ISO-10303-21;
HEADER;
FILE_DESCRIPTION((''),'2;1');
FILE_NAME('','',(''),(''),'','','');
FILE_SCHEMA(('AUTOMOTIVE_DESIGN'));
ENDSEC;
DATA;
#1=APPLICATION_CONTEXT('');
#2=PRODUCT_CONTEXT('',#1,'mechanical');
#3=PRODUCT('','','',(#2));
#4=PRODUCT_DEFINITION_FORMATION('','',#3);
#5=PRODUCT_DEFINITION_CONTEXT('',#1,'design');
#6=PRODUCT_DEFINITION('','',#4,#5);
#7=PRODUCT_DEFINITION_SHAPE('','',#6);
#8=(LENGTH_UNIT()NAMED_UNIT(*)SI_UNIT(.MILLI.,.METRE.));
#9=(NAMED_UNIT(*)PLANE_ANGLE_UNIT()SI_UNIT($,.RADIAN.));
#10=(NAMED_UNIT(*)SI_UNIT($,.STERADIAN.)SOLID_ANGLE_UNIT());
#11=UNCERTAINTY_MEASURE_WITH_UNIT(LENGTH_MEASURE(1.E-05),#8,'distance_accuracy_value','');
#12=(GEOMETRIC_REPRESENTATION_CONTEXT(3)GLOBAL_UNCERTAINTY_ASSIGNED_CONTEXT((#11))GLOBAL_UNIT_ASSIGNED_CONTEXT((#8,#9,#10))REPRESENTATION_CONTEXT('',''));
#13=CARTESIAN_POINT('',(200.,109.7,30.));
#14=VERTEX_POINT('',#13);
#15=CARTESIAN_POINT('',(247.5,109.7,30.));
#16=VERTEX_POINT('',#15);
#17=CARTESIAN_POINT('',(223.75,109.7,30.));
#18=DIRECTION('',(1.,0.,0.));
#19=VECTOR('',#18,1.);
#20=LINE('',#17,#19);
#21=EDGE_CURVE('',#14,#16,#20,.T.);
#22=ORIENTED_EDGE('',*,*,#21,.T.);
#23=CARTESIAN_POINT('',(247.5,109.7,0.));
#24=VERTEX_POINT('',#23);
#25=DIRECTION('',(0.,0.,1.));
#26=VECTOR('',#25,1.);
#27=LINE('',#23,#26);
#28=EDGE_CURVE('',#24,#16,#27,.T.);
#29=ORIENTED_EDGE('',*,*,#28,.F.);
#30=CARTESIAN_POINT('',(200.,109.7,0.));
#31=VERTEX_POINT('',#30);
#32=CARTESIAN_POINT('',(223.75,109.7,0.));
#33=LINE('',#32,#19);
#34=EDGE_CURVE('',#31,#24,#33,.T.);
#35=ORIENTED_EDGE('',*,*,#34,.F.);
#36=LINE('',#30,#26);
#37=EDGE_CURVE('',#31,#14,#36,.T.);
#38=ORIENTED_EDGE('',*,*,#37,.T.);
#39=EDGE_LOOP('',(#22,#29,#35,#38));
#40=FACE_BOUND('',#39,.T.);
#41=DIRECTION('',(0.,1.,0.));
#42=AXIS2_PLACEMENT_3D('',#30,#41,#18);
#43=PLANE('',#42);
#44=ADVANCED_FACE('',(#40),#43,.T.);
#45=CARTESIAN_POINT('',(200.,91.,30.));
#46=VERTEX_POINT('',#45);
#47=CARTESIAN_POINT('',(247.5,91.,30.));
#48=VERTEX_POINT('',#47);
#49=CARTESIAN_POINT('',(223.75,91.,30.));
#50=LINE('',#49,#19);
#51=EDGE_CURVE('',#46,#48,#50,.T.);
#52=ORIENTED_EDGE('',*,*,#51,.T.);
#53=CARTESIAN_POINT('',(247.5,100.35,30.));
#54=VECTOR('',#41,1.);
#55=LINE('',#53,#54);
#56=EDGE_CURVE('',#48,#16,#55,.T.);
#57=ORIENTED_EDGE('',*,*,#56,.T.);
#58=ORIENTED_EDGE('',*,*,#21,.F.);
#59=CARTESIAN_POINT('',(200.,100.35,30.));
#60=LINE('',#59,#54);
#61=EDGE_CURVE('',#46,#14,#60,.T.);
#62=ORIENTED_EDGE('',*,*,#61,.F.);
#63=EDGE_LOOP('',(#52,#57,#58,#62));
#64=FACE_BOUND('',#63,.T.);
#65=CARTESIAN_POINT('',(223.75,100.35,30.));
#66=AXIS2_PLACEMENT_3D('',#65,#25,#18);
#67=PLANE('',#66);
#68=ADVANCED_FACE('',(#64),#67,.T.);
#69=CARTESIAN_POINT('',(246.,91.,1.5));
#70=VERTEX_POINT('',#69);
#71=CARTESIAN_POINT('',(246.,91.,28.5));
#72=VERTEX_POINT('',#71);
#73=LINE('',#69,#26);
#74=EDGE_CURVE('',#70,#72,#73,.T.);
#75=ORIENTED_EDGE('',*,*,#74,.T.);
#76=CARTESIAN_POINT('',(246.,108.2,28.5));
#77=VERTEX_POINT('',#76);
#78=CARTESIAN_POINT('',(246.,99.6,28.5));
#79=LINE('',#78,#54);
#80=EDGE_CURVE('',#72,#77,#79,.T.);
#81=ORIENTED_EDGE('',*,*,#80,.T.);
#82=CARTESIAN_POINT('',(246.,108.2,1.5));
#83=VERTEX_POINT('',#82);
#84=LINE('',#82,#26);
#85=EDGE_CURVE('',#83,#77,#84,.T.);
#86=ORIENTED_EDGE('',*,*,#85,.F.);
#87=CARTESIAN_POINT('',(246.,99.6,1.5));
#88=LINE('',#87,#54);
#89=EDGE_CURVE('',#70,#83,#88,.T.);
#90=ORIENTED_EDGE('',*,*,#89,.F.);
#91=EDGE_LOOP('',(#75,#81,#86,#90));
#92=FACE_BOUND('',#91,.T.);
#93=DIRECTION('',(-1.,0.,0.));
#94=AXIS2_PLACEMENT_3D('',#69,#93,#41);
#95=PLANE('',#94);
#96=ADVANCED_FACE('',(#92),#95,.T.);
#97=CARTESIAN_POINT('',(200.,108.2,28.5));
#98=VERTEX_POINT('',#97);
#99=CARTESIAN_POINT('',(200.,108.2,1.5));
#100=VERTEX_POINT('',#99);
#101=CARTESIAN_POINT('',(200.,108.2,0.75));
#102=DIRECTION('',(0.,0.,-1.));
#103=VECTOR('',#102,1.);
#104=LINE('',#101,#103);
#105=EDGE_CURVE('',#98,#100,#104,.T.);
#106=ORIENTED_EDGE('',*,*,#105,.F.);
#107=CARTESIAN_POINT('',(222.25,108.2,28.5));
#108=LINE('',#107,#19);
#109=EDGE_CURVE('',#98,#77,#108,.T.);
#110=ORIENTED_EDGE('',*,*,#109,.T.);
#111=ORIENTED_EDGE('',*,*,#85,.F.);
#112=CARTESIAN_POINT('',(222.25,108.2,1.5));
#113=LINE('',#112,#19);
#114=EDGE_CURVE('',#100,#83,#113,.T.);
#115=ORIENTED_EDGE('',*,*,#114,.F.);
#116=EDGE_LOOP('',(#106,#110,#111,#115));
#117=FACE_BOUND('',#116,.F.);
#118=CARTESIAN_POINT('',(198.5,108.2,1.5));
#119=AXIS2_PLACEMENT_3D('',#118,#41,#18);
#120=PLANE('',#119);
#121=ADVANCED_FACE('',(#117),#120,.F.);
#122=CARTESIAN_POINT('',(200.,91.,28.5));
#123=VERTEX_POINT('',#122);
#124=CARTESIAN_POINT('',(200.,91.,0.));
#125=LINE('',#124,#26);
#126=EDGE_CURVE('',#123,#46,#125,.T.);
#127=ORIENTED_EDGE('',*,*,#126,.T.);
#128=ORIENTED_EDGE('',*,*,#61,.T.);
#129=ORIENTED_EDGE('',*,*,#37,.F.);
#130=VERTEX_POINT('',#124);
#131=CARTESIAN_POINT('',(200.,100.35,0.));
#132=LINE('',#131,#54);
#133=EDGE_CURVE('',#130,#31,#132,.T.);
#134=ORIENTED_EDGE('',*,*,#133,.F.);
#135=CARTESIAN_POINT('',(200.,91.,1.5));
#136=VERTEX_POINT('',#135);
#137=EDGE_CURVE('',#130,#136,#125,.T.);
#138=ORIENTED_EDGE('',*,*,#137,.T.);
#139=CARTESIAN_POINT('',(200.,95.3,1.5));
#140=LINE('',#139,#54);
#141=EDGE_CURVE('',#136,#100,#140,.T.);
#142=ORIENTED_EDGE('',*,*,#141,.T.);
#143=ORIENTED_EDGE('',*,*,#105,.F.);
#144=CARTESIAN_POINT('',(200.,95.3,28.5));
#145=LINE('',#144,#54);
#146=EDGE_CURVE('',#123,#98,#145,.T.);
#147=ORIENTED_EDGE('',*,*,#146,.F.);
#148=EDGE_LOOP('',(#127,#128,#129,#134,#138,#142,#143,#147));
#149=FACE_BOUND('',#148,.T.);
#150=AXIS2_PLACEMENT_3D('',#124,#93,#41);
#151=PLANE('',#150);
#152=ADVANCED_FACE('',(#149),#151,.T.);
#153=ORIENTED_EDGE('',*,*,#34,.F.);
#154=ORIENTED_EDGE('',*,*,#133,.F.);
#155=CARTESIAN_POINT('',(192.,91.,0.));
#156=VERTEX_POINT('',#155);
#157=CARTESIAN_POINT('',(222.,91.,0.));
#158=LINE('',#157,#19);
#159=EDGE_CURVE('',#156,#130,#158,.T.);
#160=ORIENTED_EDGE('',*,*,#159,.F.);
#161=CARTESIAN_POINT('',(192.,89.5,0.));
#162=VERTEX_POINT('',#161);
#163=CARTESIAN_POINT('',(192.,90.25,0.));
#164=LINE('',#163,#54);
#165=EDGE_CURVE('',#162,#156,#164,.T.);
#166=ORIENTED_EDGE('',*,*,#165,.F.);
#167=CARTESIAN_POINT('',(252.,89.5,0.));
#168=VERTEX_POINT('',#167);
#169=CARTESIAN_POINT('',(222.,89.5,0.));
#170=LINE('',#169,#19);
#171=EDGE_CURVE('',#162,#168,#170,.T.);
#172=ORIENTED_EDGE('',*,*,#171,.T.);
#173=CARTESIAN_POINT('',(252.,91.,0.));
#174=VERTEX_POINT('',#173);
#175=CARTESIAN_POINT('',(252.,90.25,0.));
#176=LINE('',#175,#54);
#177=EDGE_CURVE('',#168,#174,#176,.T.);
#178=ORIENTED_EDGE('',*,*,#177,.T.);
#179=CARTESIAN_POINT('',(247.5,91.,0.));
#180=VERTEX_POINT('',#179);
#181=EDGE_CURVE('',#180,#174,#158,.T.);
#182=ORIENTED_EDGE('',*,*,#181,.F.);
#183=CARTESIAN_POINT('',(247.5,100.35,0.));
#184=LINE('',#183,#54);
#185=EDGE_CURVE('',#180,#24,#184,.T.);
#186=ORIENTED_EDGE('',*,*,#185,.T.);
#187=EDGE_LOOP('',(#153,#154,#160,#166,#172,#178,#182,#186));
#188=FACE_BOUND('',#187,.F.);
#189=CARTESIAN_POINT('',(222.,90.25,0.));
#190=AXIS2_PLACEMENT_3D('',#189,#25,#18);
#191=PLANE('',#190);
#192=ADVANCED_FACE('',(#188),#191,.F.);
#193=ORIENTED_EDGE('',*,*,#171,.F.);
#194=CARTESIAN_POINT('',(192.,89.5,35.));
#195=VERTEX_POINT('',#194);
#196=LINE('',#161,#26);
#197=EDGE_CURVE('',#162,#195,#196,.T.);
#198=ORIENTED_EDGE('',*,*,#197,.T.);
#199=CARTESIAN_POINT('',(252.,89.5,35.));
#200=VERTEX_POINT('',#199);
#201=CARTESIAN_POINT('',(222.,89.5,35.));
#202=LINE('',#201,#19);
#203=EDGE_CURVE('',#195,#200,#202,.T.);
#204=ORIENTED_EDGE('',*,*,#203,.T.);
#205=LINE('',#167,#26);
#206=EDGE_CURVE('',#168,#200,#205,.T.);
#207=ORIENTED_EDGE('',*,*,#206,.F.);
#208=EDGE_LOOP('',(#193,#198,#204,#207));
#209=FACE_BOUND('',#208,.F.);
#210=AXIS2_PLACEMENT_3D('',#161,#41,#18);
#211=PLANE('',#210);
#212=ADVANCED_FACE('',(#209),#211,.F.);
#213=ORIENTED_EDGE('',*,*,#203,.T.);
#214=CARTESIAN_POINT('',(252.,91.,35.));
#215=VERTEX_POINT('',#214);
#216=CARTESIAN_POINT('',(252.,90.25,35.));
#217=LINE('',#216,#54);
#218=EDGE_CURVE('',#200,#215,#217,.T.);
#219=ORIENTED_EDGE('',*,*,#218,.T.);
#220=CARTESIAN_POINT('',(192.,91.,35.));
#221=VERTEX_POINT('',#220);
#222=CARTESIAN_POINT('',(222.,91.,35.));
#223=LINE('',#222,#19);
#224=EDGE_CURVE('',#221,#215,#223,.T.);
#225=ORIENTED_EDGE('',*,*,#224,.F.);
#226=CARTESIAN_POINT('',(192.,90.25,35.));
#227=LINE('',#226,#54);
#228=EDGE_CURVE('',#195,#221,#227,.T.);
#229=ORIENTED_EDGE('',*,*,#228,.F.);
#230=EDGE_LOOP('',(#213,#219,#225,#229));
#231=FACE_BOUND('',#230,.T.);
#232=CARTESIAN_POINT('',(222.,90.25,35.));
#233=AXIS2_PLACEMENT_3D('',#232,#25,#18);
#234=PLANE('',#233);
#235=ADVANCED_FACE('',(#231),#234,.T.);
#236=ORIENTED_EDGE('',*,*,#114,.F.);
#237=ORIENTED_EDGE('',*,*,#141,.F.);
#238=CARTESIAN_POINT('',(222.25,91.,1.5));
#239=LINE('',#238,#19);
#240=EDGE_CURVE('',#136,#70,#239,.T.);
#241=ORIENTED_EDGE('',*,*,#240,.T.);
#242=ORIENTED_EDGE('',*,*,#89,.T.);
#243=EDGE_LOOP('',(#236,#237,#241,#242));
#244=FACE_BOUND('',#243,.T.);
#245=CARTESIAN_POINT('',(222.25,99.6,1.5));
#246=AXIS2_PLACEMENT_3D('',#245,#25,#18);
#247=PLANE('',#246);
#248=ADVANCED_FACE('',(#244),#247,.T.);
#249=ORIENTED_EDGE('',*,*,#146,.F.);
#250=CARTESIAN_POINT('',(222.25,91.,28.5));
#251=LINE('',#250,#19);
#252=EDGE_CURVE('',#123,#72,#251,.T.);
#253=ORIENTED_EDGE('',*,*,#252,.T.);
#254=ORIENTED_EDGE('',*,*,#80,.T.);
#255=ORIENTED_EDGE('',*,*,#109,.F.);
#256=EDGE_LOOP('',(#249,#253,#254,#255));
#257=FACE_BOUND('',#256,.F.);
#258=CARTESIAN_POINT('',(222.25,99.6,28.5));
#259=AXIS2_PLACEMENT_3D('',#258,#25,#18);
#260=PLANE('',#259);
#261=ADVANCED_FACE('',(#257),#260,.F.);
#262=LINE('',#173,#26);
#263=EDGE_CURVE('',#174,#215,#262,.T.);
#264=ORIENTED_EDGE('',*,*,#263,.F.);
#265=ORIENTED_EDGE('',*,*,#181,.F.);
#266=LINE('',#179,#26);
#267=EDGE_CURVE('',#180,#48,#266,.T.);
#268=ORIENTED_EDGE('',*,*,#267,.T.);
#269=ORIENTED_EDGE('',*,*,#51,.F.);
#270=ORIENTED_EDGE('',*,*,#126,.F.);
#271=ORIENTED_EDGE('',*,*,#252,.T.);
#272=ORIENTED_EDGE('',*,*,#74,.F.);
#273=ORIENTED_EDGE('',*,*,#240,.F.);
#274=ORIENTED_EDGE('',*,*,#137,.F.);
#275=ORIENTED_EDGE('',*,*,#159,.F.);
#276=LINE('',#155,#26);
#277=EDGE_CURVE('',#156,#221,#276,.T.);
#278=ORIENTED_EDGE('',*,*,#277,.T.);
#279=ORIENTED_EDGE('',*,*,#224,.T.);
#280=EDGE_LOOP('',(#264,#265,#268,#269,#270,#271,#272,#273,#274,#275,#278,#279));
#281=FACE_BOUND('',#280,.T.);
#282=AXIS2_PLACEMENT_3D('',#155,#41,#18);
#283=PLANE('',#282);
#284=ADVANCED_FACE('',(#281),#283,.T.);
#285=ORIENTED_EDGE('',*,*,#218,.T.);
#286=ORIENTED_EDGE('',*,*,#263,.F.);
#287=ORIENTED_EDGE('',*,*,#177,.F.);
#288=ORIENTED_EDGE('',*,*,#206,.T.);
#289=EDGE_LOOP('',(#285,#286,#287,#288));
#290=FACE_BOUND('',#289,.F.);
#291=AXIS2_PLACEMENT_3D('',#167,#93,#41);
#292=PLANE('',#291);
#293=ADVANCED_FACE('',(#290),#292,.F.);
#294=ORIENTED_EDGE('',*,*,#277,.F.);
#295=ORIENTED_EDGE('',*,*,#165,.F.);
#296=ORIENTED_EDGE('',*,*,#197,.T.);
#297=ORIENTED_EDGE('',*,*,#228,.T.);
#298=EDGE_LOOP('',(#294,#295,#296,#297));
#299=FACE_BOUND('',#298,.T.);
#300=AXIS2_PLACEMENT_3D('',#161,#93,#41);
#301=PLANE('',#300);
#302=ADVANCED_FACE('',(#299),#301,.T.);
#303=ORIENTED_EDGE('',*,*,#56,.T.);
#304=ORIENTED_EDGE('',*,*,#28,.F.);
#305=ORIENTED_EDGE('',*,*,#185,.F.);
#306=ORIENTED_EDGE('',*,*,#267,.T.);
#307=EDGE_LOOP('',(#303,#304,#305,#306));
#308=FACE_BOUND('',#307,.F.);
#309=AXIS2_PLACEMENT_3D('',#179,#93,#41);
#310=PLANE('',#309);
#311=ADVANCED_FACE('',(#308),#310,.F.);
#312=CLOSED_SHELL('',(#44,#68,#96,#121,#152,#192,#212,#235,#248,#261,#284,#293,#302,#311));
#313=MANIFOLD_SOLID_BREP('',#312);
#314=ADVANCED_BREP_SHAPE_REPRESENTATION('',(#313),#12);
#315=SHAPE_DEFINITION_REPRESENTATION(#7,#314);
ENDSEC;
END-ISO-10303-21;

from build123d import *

# Parameters (mm, degrees)
BOX038_W     = 60
BOX038_H     = 1.5
BOX038_DEPTH = 35
BOX037_W     = 47.5
BOX037_H     = 17.2
BOX037_DEPTH = 27
BOX036_W     = 47.5
BOX036_H     = 18.7
BOX036_DEPTH = 30


with BuildPart() as cube038:
    # Box038 → Box038 (new body)
    with BuildSketch(Plane(origin=(192, 89.5, 0), x_dir=(1, 0, 0), z_dir=(0, 0, 1))):
        with Locations((30, 0.75)):
            Rectangle(BOX038_W, BOX038_H)
    extrude(amount=BOX038_DEPTH)


with BuildPart() as cube037:
    # Box037 → Box037 (new body)
    with BuildSketch(Plane(origin=(-1.5, 0, 60), x_dir=(1, 0, 0), z_dir=(0, 0, 1))):
        with Locations((23.75, 8.6)):
            Rectangle(BOX037_W, BOX037_H)
    extrude(amount=BOX037_DEPTH)


with BuildPart() as batteryholdertest:
    # Box036 → Box036 (new body)
    with BuildSketch(Plane.XY.offset(58.5)):
        with Locations((23.75, 9.35)):
            Rectangle(BOX036_W, BOX036_H)
    extrude(amount=BOX036_DEPTH)

    # Cut045: cut Cube037
    add(cube037.part, mode=Mode.SUBTRACT)


with BuildPart() as batteryholdertest_1:
    # Cut045 placement: moved
    add(batteryholdertest.part.moved(Location((200, 91, -58.5))))

    # Connect004: union Cube038
    add(cube038.part)


solid = batteryholdertest_1.part
